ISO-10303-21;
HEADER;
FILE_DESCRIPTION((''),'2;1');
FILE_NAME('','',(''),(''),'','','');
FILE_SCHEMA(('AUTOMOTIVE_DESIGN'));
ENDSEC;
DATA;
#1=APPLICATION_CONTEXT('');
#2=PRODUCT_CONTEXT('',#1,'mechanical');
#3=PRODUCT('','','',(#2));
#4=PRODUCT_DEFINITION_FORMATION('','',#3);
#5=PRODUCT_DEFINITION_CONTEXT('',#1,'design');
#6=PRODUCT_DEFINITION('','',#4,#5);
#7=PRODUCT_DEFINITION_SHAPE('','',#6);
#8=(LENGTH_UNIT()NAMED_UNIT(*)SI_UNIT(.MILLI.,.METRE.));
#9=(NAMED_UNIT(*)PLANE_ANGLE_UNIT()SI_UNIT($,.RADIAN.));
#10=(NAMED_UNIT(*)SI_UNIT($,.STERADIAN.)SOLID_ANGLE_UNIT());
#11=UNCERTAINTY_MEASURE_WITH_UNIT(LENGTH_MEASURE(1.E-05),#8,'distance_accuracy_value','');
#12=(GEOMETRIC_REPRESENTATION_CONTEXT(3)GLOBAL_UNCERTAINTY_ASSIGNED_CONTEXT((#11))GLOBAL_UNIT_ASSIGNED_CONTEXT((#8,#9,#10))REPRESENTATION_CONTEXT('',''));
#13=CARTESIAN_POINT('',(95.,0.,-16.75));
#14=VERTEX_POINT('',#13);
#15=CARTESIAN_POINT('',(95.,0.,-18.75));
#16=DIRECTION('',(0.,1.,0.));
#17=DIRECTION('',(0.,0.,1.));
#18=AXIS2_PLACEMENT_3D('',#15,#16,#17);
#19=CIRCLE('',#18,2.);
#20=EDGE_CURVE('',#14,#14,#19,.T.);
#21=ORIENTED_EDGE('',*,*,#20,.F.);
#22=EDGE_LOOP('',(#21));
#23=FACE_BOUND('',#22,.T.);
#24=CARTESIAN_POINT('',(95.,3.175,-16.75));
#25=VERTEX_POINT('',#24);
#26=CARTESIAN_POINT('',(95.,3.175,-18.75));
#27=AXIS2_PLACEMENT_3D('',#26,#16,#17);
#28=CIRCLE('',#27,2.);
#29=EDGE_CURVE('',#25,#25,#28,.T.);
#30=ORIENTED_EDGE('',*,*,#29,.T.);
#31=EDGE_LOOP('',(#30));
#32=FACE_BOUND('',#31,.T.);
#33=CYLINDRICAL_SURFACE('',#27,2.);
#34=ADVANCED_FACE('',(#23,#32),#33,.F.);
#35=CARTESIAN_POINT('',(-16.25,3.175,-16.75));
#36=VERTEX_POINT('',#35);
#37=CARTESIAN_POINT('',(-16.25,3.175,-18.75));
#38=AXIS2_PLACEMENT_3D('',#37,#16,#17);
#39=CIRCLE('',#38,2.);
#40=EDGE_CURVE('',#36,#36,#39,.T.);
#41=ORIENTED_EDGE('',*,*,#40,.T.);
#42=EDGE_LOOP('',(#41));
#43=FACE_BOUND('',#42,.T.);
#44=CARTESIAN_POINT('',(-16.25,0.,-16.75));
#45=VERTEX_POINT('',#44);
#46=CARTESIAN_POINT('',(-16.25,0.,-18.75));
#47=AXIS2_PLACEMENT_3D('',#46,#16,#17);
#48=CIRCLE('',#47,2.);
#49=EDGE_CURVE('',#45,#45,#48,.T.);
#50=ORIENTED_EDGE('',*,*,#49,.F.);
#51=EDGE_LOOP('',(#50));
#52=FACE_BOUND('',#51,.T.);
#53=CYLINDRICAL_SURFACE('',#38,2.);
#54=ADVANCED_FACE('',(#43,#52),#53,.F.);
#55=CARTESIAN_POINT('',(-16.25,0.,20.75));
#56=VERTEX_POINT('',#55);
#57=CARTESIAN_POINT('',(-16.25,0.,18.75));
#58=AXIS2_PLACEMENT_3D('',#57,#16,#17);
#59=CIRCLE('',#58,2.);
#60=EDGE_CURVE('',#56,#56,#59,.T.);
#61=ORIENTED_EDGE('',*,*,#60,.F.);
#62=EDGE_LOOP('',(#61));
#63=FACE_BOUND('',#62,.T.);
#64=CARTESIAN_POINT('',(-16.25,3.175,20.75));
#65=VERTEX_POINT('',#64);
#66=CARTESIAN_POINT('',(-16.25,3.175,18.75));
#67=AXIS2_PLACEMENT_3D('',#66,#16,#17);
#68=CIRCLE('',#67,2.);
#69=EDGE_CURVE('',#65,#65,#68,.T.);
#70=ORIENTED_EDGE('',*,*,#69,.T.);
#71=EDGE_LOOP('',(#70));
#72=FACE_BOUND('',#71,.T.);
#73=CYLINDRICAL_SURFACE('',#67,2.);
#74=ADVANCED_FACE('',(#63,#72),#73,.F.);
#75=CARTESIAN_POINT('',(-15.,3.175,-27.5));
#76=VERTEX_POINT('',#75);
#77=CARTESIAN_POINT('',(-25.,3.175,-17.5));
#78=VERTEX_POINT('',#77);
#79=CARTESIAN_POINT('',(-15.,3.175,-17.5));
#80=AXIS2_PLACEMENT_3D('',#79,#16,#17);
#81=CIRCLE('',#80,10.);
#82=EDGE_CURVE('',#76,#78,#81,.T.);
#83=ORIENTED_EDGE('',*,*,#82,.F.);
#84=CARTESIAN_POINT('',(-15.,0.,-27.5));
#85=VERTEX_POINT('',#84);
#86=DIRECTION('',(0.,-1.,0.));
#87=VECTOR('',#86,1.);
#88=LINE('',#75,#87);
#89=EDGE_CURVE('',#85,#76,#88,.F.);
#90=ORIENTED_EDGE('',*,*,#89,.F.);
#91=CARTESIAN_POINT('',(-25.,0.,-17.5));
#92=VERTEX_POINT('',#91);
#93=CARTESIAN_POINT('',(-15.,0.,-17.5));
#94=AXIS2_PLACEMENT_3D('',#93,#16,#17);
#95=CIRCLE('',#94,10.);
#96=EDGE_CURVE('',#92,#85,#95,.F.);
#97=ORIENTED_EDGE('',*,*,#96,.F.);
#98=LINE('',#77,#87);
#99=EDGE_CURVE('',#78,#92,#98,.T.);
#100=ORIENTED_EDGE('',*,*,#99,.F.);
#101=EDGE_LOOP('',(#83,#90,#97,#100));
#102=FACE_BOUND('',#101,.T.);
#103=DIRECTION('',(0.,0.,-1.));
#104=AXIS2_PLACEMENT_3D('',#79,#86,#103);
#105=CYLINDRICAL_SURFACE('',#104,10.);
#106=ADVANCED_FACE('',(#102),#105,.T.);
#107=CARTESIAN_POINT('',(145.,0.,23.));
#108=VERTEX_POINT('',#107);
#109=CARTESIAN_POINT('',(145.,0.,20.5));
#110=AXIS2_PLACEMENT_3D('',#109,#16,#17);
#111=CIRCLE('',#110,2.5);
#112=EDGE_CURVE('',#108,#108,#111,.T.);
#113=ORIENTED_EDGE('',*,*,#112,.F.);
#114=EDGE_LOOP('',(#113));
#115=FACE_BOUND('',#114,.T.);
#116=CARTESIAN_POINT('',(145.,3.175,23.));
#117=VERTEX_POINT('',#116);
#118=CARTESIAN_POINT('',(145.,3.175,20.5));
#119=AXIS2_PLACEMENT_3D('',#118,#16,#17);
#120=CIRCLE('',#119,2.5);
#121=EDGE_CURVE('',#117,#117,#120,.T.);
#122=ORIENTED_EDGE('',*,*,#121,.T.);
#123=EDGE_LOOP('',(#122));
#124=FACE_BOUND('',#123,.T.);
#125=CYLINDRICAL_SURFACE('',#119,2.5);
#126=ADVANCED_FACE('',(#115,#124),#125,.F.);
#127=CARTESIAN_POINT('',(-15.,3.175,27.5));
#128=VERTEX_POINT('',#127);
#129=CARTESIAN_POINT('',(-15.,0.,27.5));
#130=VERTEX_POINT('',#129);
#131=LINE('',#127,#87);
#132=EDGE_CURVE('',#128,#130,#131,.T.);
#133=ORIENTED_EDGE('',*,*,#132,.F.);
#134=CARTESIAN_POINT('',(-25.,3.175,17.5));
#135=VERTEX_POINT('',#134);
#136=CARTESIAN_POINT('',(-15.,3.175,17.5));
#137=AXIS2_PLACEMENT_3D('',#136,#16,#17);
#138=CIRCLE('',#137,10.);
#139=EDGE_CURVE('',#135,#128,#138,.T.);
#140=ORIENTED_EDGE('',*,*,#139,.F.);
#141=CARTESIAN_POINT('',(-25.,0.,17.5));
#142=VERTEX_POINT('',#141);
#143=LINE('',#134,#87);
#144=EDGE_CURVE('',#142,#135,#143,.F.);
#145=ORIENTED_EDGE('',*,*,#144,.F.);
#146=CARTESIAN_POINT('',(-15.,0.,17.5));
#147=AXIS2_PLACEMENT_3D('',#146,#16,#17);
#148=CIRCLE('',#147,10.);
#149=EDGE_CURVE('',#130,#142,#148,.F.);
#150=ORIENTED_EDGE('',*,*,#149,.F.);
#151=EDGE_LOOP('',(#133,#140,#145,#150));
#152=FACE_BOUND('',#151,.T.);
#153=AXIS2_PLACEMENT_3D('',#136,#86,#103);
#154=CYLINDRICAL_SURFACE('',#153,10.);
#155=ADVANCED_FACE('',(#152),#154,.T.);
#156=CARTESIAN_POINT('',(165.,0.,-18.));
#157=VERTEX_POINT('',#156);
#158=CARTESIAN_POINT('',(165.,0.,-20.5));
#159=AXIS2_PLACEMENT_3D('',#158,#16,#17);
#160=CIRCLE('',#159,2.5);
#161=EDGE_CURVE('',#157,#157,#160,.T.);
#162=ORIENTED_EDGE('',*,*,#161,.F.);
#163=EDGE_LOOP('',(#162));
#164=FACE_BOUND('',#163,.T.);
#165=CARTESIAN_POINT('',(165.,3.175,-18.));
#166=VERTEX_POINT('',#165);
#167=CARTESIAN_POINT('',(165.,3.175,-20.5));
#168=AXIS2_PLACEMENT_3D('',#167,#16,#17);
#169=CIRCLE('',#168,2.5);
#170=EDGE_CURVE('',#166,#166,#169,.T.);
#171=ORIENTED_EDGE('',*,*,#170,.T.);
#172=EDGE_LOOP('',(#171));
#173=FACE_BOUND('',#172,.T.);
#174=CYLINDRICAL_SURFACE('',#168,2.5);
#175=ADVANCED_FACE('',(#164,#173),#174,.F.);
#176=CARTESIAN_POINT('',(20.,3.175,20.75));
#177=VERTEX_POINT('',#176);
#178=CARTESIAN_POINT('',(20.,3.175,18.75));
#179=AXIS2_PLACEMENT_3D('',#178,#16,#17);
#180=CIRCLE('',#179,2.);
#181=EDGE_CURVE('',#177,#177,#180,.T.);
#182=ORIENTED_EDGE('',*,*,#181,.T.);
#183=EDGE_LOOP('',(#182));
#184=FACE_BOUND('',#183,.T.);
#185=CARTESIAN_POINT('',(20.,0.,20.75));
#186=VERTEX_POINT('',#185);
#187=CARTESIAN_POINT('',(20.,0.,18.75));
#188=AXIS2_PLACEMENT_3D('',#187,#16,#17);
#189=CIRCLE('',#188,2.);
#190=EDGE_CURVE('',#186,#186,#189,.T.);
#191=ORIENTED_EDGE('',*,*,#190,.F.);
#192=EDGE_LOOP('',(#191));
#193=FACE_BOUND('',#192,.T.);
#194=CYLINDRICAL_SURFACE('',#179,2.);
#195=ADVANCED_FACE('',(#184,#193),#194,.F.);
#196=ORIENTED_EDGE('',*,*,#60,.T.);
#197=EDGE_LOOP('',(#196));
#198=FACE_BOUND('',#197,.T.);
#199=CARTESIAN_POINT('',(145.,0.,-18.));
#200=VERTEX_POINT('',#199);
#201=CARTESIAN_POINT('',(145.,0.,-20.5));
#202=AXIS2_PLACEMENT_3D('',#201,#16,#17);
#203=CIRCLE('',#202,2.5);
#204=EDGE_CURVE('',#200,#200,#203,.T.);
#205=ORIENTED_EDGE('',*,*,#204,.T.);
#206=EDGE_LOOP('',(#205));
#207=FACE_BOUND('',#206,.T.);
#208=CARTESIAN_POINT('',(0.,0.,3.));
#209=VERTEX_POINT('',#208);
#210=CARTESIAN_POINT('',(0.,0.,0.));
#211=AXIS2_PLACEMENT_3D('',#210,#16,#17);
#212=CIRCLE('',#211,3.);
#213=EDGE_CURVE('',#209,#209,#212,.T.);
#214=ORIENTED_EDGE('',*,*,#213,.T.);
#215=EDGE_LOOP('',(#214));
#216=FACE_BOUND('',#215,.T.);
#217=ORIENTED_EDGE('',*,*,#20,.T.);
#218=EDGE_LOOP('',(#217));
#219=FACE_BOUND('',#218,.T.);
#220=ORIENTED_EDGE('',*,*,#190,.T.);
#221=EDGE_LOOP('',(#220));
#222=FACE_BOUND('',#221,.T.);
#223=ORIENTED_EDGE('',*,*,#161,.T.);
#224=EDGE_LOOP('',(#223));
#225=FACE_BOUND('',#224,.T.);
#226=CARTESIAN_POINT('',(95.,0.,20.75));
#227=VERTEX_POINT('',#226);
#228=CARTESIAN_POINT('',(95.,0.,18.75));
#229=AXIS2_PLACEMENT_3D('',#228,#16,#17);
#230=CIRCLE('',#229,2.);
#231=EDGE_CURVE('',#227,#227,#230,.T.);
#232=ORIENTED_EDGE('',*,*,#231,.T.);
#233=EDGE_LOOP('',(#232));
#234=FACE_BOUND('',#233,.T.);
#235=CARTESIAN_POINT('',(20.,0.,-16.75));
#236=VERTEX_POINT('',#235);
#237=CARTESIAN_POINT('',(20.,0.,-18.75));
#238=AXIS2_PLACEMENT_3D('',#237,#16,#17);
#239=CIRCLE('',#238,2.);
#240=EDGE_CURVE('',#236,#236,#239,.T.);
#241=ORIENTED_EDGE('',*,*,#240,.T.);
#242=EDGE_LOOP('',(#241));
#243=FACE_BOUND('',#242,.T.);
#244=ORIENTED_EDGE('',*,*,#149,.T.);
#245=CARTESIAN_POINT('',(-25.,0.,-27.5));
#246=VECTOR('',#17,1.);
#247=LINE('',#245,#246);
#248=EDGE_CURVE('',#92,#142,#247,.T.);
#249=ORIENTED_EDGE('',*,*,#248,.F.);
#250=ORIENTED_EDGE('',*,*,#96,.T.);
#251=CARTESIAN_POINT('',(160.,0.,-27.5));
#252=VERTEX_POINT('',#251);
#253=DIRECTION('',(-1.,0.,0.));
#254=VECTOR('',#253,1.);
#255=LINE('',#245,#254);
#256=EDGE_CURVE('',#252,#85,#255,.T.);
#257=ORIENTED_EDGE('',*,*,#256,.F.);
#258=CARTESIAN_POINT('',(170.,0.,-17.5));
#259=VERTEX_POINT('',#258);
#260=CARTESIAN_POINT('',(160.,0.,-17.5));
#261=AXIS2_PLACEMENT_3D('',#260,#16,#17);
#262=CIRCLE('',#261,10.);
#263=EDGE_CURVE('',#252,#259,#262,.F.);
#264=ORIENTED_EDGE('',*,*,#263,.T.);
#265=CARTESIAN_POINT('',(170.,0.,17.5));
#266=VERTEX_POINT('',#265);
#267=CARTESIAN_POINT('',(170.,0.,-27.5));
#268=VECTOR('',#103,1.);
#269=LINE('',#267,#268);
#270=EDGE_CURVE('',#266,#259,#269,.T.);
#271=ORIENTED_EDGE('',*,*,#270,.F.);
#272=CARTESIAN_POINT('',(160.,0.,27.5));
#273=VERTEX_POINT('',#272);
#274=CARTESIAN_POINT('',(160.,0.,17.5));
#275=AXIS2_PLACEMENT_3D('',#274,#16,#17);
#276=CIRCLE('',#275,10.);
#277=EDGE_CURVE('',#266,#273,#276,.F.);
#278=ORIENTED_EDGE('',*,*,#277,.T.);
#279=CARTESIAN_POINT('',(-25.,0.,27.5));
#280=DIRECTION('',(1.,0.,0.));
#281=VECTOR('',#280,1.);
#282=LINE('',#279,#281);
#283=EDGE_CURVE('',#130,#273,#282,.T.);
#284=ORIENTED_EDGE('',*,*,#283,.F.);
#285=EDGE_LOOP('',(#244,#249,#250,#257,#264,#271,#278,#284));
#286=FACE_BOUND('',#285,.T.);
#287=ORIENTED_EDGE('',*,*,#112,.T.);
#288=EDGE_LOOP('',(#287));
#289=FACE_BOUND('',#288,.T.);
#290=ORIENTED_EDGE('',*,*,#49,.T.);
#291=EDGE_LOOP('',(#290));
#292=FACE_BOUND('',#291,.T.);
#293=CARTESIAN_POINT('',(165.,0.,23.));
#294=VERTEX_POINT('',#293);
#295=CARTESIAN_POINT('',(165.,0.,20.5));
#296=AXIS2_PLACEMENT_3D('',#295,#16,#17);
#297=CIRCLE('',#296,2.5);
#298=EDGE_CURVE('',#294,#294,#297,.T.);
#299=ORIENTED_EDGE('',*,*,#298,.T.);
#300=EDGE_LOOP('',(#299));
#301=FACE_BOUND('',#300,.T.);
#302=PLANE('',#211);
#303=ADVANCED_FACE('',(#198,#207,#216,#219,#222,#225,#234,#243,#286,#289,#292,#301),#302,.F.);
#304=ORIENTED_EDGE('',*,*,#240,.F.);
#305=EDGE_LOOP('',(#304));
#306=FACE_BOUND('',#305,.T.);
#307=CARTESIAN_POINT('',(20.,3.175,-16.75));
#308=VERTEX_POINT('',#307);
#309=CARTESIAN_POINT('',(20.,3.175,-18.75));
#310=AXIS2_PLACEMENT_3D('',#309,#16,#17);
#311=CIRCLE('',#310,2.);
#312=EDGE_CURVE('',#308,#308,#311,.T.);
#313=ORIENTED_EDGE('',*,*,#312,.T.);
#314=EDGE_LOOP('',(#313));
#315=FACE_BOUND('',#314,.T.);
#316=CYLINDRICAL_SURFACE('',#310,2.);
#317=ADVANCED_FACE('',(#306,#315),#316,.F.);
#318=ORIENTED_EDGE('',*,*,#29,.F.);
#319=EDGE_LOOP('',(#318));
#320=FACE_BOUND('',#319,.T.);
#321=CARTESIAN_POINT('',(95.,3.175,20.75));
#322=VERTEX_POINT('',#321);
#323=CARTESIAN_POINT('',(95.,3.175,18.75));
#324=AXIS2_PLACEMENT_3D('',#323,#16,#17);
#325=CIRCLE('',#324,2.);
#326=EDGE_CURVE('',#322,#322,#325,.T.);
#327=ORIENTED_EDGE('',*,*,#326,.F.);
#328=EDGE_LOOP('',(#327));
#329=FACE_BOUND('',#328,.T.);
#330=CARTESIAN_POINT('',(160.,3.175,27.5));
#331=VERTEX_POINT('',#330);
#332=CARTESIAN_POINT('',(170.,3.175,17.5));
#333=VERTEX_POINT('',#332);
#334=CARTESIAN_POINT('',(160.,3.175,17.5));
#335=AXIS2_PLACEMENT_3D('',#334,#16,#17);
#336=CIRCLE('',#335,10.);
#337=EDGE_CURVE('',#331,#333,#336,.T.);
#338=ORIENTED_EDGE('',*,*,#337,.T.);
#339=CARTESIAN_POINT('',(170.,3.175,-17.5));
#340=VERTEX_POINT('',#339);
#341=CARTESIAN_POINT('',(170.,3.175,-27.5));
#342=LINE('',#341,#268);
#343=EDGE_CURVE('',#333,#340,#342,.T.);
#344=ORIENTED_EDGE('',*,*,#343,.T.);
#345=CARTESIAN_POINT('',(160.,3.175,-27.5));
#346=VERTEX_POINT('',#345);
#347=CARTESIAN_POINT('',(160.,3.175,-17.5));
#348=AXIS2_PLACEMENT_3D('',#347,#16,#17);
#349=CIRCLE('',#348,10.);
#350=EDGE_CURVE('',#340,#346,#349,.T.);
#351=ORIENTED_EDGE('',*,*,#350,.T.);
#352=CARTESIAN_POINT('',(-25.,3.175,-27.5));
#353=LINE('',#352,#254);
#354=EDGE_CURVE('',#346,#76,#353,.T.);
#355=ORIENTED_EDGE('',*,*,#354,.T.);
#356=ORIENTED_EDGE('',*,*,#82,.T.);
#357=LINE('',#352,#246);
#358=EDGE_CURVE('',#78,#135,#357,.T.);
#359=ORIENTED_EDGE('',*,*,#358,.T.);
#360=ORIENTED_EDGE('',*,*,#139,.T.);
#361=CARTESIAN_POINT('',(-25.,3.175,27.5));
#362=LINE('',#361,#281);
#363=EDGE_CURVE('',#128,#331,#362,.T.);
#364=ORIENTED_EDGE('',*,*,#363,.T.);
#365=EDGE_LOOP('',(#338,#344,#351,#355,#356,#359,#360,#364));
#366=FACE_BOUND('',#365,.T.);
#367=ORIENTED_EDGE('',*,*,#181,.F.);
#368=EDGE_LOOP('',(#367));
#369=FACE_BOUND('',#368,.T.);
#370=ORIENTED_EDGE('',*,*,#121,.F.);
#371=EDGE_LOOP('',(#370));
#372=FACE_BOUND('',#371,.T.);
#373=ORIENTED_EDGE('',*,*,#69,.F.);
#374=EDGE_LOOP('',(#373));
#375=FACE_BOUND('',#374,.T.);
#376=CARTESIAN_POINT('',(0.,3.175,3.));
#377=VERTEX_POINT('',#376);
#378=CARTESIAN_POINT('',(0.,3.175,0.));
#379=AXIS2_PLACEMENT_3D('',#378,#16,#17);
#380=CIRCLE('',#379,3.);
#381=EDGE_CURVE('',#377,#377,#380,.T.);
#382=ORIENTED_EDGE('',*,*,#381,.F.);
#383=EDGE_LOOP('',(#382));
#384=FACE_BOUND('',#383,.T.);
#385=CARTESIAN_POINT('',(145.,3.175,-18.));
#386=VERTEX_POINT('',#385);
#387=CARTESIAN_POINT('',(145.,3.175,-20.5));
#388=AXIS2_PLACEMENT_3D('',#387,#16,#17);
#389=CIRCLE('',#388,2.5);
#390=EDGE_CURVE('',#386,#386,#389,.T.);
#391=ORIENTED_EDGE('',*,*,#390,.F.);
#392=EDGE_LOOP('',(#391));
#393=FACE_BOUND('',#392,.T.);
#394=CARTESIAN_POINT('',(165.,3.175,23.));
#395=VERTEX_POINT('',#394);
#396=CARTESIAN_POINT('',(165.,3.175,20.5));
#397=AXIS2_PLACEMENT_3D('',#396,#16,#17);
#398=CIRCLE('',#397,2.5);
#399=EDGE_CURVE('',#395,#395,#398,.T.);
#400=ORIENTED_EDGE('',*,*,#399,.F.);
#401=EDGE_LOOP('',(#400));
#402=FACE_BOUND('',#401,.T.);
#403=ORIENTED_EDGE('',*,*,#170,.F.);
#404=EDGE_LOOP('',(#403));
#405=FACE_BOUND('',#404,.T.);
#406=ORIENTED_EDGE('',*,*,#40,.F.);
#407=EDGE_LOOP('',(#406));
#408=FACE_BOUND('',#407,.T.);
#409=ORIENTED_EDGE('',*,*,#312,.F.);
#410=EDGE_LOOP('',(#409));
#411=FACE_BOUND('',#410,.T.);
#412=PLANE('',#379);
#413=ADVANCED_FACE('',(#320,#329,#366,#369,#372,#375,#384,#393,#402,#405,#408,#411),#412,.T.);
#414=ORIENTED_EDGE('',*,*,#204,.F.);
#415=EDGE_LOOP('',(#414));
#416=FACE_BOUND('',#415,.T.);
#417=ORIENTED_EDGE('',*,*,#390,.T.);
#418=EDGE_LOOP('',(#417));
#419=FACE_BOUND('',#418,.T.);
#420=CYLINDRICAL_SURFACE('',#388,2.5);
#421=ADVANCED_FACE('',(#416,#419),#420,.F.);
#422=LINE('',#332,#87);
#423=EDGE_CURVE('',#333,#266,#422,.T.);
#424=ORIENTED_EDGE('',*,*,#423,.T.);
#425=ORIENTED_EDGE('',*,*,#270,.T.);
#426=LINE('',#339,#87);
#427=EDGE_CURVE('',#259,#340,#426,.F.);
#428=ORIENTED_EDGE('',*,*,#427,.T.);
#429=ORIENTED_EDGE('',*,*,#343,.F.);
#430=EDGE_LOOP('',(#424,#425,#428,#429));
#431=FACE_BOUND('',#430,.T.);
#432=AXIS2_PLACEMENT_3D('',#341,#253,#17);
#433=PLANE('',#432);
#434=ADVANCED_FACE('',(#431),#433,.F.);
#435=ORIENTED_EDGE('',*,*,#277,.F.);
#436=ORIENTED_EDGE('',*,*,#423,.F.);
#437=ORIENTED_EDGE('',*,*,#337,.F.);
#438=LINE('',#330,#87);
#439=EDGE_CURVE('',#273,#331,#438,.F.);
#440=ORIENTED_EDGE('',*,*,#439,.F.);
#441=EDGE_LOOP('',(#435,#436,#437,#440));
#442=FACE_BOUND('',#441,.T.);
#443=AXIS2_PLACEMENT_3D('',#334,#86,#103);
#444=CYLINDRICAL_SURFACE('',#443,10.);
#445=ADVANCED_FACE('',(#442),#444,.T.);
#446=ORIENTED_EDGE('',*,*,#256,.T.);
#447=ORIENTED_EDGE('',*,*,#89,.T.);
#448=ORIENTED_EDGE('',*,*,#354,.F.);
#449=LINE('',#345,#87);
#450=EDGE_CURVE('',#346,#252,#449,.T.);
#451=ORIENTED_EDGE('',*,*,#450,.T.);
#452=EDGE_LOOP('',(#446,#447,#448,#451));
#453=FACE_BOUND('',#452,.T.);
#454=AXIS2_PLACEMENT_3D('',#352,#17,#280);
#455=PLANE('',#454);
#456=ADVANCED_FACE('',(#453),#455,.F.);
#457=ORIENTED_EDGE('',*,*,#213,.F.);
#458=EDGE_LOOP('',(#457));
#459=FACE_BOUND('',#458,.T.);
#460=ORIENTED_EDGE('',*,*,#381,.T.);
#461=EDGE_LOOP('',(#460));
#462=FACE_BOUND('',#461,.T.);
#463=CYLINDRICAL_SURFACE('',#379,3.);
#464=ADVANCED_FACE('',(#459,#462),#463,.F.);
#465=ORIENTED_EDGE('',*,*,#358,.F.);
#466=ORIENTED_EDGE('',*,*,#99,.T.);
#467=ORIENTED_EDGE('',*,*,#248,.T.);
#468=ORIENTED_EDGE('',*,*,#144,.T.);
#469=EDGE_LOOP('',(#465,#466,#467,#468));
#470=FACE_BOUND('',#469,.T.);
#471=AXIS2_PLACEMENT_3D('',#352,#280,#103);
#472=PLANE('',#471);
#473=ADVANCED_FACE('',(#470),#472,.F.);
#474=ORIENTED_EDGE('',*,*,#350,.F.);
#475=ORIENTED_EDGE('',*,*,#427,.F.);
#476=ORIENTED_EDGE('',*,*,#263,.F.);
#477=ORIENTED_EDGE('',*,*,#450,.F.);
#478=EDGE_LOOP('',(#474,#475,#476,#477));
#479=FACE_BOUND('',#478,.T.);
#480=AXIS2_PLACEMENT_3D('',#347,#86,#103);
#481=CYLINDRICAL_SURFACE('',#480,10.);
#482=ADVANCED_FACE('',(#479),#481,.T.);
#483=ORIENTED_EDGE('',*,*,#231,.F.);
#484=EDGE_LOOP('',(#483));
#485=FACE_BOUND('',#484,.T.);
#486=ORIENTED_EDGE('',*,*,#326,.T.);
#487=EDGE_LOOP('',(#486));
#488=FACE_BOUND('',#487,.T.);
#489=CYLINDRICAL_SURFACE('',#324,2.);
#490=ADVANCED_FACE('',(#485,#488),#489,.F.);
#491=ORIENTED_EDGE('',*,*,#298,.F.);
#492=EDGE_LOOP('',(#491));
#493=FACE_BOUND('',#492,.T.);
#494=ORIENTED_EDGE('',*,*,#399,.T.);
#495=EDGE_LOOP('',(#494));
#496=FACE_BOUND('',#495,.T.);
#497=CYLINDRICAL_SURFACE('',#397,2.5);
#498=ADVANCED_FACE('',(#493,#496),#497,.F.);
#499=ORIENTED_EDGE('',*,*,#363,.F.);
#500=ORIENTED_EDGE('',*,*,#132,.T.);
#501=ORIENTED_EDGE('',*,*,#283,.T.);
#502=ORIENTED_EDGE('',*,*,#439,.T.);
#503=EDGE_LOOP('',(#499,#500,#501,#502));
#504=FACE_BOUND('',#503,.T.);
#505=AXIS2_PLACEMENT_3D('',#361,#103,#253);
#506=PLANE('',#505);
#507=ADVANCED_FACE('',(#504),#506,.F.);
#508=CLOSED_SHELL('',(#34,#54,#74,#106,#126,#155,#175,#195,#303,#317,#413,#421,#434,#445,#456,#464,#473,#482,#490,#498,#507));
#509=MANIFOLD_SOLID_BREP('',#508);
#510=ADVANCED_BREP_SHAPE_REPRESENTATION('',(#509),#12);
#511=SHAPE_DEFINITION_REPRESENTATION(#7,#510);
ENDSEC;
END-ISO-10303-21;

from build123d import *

# Parameters (mm, degrees)
SKETCH1_W             = 195
SKETCH1_H             = 55
BOSS_EXTRUDE1_DEPTH   = 3.175
FILLET1_R             = 10
F_6_0MM_DOWEL_HOLE1_D = 6
F_4_0MM_DOWEL_HOLE1_D = 4
F_5_0MM_DOWEL_HOLE1_D = 5


with BuildPart() as part:
    # Sketch1 → Boss-Extrude1 (new body)
    with BuildSketch(Plane(origin=(0, 0, 0), x_dir=(1, 0, 0), z_dir=(0, 1, 0))):
        with Locations((72.5, 0)):
            Rectangle(SKETCH1_W, SKETCH1_H)
    extrude(amount=BOSS_EXTRUDE1_DEPTH)

    # Fillet1
    fillet1_edges = [part.edges().sort_by_distance(p)[0] for p in [
        (-25, 1.5875, -27.5),
        (170, 1.5875, -27.5),
        (170, 1.5875, 27.5),
        (-25, 1.5875, 27.5),
    ]]
    fillet(fillet1_edges, radius=FILLET1_R)

    # Ø6.0mm Dowel Hole1 (through all)
    with Locations(Plane(origin=(0, 3.175, 0), x_dir=(1, 0, 0), z_dir=(0, 1, 0))):
        with Locations((0, 0)):
            Hole(F_6_0MM_DOWEL_HOLE1_D / 2)

    # Ø4.0mm Dowel Hole1 (through all)
    with Locations(Plane(origin=(0, 3.175, 0), x_dir=(1, 0, 0), z_dir=(0, 1, 0))):
        with Locations((-16.25, -18.75), (20, -18.75), (95, -18.75), (95, 18.75), (20, 18.75), (-16.25, 18.75)):
            Hole(F_4_0MM_DOWEL_HOLE1_D / 2)

    # Ø5.0mm Dowel Hole1 (through all)
    with Locations(Plane(origin=(0, 3.175, 0), x_dir=(1, 0, 0), z_dir=(0, 1, 0))):
        with Locations((165, 20.5), (145, 20.5), (165, -20.5), (145, -20.5)):
            Hole(F_5_0MM_DOWEL_HOLE1_D / 2)


solid = part.part
